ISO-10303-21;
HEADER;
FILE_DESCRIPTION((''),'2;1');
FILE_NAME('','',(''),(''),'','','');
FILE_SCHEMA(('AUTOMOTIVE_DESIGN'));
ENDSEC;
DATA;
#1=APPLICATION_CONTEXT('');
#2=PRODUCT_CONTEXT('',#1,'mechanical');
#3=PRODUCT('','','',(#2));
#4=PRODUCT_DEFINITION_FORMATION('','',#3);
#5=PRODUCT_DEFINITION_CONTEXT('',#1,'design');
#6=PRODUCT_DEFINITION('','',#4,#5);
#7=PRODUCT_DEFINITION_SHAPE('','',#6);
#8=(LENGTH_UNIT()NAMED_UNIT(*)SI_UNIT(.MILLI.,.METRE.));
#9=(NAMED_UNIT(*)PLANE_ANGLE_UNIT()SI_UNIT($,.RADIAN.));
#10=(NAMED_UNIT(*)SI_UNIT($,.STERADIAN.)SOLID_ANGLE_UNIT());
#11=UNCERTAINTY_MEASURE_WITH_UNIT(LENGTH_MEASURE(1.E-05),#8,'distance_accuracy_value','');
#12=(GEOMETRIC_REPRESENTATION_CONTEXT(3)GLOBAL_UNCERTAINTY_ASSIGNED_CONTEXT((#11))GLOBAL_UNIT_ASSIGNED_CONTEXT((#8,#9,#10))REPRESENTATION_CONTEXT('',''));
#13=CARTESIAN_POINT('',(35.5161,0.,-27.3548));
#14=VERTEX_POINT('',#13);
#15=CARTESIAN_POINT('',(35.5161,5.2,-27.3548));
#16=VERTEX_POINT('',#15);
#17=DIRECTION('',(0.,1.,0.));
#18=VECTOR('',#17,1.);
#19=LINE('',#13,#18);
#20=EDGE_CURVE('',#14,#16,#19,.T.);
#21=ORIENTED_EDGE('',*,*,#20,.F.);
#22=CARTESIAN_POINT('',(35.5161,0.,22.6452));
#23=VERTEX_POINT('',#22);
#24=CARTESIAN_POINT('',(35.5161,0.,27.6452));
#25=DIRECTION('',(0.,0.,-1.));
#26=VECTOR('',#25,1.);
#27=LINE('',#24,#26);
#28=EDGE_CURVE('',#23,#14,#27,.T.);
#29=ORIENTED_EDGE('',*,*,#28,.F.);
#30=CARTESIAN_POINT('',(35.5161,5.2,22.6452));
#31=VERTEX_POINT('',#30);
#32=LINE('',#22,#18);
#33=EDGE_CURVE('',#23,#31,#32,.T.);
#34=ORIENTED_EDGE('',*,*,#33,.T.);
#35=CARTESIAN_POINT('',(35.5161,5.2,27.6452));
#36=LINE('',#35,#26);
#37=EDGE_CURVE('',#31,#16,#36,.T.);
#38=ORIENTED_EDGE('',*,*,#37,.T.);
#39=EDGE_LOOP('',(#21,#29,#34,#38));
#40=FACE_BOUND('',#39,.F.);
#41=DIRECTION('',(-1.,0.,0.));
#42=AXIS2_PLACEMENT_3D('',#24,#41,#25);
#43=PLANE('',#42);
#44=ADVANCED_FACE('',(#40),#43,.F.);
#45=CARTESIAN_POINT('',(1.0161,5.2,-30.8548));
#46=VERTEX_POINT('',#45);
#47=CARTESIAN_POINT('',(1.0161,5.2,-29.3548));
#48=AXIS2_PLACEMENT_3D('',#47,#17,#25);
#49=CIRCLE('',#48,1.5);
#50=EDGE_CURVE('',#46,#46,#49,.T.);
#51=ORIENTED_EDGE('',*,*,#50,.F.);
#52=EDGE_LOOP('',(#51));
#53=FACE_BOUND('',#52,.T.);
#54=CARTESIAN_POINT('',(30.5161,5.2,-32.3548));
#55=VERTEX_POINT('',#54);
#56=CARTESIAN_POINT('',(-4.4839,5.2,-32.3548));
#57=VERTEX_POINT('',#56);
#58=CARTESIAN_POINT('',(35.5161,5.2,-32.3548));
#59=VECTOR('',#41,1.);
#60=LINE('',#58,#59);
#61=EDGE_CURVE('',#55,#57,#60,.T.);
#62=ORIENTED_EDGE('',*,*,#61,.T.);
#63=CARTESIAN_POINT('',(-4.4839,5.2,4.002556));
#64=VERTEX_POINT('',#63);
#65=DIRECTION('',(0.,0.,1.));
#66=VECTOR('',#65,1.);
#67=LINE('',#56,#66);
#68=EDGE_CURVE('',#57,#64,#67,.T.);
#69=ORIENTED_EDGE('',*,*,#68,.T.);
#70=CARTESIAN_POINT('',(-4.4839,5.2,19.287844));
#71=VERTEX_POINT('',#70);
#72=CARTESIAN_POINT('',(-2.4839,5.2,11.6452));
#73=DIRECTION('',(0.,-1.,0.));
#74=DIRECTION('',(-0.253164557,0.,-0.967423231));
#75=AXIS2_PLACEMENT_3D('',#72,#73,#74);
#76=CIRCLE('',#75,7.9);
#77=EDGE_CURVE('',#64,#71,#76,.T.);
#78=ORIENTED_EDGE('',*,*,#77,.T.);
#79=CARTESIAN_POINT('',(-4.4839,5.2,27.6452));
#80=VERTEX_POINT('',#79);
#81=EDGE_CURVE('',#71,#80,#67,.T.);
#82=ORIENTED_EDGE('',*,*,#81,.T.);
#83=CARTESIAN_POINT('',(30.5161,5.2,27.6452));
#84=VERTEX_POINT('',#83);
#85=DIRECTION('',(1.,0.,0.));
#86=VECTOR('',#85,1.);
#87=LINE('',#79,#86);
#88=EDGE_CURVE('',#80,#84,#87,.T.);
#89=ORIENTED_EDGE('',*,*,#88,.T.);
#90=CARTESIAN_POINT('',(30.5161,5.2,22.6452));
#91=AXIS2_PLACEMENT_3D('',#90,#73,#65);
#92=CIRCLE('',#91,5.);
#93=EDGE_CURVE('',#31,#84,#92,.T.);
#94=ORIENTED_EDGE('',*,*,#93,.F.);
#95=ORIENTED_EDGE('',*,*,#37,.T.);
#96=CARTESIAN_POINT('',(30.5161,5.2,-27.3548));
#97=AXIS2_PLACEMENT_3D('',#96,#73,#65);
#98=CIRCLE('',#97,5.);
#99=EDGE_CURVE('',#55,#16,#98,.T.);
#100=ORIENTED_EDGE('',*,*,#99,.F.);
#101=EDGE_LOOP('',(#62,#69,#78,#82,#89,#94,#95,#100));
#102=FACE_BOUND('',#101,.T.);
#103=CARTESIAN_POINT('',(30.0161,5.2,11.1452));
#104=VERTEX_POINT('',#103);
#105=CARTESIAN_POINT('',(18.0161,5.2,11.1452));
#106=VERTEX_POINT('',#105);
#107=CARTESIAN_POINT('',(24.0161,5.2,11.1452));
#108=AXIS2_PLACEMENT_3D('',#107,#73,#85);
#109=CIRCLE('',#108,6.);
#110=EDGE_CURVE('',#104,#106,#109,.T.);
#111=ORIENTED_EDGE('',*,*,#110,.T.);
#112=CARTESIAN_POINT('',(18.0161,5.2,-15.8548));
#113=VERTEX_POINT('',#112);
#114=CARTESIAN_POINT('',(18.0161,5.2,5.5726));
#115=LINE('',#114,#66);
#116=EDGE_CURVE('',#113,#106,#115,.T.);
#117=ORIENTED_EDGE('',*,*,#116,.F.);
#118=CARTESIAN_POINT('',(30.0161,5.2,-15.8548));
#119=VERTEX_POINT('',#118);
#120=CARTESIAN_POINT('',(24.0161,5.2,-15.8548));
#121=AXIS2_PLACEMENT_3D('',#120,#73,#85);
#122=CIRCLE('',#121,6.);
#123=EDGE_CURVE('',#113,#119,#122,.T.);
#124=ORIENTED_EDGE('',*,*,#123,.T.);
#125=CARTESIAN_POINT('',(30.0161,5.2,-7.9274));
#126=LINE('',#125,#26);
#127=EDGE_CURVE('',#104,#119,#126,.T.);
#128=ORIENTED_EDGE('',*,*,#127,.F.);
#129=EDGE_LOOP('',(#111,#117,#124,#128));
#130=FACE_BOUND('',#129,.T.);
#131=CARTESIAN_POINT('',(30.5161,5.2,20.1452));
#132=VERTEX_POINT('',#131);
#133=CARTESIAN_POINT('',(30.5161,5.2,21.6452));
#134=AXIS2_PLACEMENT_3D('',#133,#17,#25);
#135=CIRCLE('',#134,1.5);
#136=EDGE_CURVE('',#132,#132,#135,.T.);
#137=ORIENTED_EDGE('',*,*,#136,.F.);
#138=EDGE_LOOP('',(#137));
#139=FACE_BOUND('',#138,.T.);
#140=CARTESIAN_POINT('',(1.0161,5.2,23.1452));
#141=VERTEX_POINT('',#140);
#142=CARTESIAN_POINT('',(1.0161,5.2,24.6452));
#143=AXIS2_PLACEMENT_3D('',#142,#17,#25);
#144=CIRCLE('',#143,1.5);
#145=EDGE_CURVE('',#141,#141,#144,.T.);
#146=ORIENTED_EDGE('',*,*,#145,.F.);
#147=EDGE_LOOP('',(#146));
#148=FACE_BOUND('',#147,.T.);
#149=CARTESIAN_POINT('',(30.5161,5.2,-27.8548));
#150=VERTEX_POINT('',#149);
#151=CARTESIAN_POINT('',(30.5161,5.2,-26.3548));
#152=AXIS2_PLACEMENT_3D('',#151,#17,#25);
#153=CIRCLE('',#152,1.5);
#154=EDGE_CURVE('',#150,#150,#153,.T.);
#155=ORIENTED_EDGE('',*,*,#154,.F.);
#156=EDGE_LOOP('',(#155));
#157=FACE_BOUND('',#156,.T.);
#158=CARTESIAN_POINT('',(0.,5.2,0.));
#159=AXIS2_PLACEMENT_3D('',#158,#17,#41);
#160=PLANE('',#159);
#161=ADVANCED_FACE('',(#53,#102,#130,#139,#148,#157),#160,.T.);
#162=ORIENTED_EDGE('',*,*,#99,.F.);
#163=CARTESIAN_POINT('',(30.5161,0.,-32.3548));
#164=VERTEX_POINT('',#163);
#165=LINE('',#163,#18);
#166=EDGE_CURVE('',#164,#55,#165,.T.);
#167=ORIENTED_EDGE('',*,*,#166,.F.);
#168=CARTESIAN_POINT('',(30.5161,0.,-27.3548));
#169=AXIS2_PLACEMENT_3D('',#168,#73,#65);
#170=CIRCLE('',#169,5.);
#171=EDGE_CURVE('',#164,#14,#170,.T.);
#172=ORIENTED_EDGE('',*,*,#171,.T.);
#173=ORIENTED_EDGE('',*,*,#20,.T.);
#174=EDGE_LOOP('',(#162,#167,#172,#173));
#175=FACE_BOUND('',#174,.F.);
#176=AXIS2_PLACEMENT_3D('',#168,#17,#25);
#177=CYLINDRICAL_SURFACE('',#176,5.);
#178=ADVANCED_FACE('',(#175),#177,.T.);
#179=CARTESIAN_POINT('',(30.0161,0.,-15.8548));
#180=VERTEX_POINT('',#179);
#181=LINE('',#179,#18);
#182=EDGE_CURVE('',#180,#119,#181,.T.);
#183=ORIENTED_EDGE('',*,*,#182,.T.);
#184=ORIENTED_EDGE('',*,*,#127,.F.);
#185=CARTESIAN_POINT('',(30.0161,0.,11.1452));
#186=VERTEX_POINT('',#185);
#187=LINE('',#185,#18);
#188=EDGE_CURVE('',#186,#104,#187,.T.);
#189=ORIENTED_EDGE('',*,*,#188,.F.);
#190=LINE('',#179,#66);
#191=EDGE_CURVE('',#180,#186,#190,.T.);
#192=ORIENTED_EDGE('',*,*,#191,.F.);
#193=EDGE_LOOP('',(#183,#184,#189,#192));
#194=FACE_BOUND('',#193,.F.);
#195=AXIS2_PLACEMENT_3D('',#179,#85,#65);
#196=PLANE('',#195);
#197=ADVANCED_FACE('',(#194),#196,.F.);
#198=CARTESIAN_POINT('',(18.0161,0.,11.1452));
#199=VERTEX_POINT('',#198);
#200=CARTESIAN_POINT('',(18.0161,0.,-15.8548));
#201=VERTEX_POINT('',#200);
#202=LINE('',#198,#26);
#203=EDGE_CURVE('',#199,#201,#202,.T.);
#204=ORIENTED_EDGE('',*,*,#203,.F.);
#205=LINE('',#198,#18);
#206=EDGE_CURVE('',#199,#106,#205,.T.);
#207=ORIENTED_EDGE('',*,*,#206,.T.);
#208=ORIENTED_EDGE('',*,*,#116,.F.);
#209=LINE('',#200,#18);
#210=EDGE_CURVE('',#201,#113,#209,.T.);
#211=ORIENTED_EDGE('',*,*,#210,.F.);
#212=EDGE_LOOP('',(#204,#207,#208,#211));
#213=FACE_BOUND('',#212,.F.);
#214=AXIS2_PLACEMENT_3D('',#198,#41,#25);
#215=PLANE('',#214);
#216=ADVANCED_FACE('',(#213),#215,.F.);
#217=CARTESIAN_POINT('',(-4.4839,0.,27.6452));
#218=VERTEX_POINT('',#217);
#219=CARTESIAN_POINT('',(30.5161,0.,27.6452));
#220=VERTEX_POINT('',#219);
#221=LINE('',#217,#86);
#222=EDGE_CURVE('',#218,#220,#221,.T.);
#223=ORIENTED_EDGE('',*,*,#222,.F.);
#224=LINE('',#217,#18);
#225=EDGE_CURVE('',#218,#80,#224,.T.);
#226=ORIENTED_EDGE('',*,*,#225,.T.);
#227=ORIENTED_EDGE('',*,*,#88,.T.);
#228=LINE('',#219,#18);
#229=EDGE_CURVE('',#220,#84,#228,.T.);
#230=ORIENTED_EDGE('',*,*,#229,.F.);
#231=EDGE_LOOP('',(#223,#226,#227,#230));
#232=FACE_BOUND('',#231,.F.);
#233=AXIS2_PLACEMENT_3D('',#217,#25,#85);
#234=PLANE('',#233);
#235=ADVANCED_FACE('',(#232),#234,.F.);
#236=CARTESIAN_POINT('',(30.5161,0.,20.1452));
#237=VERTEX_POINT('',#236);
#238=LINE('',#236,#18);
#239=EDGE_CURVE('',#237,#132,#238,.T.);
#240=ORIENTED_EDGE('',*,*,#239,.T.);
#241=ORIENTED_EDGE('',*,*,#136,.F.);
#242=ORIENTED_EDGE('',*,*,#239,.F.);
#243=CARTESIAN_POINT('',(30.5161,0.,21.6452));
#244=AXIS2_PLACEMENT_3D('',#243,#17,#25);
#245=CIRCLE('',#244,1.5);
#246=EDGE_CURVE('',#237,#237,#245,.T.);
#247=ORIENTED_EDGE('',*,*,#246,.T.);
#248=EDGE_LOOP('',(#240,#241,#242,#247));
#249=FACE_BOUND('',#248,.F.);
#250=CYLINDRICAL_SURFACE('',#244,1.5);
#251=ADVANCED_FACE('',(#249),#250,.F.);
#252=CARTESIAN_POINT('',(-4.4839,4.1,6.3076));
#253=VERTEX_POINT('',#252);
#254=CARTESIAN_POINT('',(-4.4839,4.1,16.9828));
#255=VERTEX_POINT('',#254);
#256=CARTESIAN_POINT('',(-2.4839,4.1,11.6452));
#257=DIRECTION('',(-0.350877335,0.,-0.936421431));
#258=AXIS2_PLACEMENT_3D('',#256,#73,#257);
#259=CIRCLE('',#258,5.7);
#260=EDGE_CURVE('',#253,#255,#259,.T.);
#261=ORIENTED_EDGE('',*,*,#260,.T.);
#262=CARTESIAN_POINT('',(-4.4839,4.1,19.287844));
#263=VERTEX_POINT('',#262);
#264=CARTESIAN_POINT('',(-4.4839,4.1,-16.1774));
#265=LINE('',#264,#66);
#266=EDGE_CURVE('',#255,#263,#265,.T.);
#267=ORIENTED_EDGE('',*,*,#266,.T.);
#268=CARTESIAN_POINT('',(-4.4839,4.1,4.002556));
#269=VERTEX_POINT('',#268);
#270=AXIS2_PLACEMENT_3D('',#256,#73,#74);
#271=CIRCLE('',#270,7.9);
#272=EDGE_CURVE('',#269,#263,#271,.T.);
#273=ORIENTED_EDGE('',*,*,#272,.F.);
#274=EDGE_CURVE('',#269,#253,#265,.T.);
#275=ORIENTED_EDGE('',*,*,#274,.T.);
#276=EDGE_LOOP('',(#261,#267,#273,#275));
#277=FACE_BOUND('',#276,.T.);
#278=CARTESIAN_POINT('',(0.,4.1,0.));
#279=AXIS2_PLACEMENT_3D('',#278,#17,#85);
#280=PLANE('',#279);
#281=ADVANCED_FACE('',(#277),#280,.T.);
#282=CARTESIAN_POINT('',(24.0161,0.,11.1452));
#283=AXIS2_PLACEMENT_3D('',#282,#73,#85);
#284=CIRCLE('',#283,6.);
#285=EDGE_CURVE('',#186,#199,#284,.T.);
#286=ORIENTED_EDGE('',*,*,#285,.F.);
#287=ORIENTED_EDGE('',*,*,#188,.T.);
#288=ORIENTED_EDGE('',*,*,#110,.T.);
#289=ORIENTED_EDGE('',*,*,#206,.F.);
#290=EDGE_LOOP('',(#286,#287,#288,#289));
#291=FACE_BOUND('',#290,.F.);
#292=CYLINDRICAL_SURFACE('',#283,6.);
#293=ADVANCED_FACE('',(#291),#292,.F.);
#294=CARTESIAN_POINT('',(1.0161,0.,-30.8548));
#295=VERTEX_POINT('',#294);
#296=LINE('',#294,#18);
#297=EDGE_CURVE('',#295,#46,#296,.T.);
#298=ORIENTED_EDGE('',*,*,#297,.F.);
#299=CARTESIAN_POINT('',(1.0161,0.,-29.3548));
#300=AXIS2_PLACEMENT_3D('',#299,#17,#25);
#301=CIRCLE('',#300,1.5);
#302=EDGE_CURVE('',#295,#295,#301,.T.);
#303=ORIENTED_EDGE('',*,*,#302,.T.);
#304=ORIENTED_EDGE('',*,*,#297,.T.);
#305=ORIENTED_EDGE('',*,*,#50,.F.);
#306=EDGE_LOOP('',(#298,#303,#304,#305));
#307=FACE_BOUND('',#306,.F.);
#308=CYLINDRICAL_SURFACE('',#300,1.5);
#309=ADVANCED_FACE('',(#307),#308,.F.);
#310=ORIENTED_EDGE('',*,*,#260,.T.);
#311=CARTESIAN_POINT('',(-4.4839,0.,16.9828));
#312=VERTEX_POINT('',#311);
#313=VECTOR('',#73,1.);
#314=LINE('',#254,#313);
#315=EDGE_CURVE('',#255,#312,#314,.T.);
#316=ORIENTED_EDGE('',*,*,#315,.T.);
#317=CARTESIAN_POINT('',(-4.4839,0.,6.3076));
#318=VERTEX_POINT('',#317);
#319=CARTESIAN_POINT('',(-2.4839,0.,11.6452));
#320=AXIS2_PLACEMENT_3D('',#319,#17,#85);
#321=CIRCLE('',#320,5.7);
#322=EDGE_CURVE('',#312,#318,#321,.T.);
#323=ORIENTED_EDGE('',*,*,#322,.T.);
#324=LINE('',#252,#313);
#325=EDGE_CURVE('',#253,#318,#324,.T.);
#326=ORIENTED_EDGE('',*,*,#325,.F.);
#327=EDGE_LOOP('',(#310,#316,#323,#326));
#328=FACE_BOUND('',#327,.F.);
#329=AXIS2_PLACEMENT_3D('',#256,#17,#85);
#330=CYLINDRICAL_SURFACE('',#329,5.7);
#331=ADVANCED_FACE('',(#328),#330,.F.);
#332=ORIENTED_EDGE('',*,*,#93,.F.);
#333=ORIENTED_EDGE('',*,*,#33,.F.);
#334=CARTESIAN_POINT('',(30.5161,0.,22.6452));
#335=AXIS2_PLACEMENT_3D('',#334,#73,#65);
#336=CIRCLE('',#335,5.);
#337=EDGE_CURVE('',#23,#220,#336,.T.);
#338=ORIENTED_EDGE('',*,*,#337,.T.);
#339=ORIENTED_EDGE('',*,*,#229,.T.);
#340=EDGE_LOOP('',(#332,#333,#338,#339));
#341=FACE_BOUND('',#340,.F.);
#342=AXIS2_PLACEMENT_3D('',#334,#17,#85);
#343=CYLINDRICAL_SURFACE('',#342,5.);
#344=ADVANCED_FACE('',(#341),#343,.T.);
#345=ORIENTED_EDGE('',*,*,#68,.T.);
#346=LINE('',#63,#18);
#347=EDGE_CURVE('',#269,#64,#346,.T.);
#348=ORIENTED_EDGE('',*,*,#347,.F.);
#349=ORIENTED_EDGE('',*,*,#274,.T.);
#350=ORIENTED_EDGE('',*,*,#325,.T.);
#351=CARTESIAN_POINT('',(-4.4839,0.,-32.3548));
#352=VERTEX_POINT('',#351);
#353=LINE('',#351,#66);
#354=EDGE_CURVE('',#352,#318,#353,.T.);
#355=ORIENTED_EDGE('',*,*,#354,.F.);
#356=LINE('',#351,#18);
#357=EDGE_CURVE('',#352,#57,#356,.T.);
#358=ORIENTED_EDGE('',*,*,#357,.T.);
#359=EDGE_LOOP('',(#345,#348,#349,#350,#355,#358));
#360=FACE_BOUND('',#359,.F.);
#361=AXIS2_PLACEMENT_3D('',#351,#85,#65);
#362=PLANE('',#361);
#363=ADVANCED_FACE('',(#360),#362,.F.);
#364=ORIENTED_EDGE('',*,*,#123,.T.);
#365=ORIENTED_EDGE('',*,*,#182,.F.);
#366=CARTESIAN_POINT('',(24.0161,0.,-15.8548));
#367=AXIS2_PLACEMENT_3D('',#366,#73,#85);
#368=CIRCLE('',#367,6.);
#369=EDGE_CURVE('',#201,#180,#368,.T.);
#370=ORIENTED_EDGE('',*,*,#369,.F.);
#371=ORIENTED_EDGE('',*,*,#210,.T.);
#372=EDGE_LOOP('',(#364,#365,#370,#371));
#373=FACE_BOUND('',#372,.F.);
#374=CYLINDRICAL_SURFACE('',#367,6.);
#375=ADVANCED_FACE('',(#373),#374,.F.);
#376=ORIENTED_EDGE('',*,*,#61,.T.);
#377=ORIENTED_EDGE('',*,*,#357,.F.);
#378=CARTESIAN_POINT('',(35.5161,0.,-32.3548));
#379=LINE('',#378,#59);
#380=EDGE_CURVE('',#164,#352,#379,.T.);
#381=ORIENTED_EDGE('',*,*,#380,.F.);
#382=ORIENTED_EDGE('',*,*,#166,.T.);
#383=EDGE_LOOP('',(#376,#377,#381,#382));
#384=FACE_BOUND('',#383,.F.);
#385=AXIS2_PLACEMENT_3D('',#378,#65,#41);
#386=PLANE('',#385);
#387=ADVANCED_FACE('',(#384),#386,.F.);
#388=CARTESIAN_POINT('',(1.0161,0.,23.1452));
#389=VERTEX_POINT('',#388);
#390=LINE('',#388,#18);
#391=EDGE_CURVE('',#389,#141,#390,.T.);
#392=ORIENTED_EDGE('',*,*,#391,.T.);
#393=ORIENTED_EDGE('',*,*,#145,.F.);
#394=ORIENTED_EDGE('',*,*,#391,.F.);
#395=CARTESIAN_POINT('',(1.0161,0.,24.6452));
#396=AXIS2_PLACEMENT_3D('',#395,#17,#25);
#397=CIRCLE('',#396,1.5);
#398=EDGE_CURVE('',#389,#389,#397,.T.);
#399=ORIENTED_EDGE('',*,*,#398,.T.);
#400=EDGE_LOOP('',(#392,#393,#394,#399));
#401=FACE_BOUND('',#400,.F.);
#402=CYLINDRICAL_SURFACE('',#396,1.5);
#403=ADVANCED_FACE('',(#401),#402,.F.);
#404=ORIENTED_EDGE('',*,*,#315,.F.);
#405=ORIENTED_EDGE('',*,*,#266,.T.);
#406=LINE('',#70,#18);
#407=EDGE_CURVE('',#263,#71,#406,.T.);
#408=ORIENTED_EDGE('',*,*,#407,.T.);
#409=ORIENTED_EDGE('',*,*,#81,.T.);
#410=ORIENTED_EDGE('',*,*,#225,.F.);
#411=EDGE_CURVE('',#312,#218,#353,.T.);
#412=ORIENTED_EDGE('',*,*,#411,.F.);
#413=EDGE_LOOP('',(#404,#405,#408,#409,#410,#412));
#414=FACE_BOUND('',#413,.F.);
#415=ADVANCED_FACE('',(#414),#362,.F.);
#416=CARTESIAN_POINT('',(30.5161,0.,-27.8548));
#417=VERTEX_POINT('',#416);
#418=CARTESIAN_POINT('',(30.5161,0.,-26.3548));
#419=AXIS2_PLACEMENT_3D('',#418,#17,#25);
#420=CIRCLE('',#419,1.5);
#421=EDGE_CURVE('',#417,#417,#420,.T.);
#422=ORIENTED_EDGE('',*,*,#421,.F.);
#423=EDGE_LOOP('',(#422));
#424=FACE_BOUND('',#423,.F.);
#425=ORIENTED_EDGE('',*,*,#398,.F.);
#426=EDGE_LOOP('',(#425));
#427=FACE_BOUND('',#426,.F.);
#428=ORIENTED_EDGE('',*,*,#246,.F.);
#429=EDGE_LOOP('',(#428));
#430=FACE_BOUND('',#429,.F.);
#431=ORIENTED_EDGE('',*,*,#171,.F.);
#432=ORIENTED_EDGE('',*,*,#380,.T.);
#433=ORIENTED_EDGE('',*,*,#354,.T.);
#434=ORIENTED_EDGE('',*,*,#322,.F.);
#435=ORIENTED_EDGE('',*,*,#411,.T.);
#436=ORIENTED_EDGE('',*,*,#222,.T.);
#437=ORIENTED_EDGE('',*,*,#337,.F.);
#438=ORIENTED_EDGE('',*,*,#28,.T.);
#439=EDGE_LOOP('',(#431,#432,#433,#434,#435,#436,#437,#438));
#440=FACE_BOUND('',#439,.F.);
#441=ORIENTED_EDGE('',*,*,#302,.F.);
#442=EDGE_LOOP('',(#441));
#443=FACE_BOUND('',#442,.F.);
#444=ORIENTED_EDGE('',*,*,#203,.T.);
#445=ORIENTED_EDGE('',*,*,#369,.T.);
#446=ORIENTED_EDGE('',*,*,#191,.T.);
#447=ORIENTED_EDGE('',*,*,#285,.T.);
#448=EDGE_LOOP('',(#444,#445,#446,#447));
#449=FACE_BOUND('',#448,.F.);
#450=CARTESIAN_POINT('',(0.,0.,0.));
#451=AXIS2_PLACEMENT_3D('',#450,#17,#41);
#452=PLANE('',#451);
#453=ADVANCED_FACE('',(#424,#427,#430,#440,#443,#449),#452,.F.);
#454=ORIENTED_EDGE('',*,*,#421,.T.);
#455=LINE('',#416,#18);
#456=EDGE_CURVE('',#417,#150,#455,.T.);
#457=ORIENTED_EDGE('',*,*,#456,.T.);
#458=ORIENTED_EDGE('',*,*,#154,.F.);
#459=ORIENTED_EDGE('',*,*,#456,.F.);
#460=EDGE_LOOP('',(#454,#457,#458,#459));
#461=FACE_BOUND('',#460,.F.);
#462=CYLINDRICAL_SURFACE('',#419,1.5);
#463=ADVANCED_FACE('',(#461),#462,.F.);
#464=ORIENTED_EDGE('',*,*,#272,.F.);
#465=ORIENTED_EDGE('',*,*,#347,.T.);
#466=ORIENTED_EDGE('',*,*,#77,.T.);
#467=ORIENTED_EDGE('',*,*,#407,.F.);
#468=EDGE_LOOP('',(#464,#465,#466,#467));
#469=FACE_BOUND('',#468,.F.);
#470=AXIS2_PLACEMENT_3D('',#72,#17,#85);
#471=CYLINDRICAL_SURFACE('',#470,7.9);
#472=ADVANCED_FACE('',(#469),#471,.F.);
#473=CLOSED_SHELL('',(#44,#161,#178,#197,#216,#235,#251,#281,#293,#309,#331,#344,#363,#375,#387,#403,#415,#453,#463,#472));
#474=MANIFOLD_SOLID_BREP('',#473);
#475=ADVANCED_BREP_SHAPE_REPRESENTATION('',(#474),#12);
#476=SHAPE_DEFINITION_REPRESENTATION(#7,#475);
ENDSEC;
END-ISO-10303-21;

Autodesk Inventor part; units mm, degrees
ref_plane "YZ Plane" through (0, 0, 0) normal (1, 0, 0) x (0, 1, 0)
ref_plane "XZ Plane" through (0, 0, 0) normal (0, 1, 0) x (-1, 0, 0)
sketch "Sketch1" plane through (0, 0, 0) normal (0, 1, 0) x (-1, 0, 0)
  line L0 (4.4839, 27.6452) -> (-35.5161, 27.6452)
  line L1 (-35.5161, 27.6452) -> (-35.5161, -32.3548)
  line L2 (-35.5161, -32.3548) -> (4.4839, -32.3548)
  line L3 (4.4839, -32.3548) -> (4.4839, 27.6452)
  point P0 (0, 0)
  dimension "d0" = 60
  dimension "d1" = 40
extrude "Extrusion1" add sketch "Sketch1" along normal blind 5.2
fillet "Fillet1" radius 5 2 edges at (35.5161, 2.6, -32.3548) (35.5161, 2.6, 27.6452)
sketch "Sketch2" plane through (0, 0, 0) normal (0, -1, 0) x (1, 0, 0)
  circle A0 centre (30.5161, 21.6452) radius 1.5 projected
  circle A1 centre (1.0161, 24.6452) radius 1.5 projected
  circle A2 centre (1.0161, -29.3548) radius 1.5 projected
  circle A3 centre (30.5161, -26.3548) radius 1.5 projected
  point P0 (0, 0)
hole "Hole1" at (30.5161, 0, 21.6452) at (30.5161, 0, -26.3548) at (1.0161, 0, -29.3548) at (1.0161, 0, 24.6452) direction (0, 1, 0) diameter 3 end through all
sketch "Sketch3" plane through (0, 5.2, 0) normal (0, 1, 0) x (1, 0, 0)
  circle A0 centre (-2.4839, -11.6452) radius 7.9 projected
  point P0 (0, 0)
ref_plane "Work Plane1" through (-10.3839, 4.1, 4.0025) normal (0, 1, 0) x (0, 0, 1)
extrude "Extrusion2" cut sketch "Sketch3" against normal up to surface (1.1 mm away)
sketch "Sketch4" plane through (-2.4839, 4.1, 11.6452) normal (0, 1, 0) x (1, 0, 0)
  arc A0 (-2, 5.3376) -> (-2, -5.3376) centre (0, 0) ccw projected
  circle A1 centre (0, 0) radius 5.5 projected
  circle A2 centre (0, 0) radius 5.7
  point P0 (2.4839, 11.6452)
  dimension "d14" = 11.4
extrude "Extrusion3" cut sketch "Sketch4" against normal through all contours A2 A0 | A1
sketch "Sketch5" plane through (0, 0, 0) normal (0, -1, 0) x (1, 0, 0)
  circle A0 centre (24.0161, 11.1452) radius 6 projected
  circle A1 centre (24.0161, -15.8548) radius 6 projected
  line L0 (24.0161, 11.1452) -> (24.0161, -15.8548) construction
  line L1 (18.0161, 11.1452) -> (18.0161, -15.8548)
  line L2 (30.0161, -15.8548) -> (30.0161, 11.1452)
  arc A2 (30.0161, 11.1452) -> (18.0161, 11.1452) centre (24.0161, 11.1452) ccw
  arc A3 (18.0161, -15.8548) -> (30.0161, -15.8548) centre (24.0161, -15.8548) ccw
  point P0 (0, 0)
  point P1 (24.0161, -2.3548)
extrude "Extrusion4" cut sketch "Sketch5" against normal through all
properties part number "Carro XY_trava_B" material "ABS Plastic"
